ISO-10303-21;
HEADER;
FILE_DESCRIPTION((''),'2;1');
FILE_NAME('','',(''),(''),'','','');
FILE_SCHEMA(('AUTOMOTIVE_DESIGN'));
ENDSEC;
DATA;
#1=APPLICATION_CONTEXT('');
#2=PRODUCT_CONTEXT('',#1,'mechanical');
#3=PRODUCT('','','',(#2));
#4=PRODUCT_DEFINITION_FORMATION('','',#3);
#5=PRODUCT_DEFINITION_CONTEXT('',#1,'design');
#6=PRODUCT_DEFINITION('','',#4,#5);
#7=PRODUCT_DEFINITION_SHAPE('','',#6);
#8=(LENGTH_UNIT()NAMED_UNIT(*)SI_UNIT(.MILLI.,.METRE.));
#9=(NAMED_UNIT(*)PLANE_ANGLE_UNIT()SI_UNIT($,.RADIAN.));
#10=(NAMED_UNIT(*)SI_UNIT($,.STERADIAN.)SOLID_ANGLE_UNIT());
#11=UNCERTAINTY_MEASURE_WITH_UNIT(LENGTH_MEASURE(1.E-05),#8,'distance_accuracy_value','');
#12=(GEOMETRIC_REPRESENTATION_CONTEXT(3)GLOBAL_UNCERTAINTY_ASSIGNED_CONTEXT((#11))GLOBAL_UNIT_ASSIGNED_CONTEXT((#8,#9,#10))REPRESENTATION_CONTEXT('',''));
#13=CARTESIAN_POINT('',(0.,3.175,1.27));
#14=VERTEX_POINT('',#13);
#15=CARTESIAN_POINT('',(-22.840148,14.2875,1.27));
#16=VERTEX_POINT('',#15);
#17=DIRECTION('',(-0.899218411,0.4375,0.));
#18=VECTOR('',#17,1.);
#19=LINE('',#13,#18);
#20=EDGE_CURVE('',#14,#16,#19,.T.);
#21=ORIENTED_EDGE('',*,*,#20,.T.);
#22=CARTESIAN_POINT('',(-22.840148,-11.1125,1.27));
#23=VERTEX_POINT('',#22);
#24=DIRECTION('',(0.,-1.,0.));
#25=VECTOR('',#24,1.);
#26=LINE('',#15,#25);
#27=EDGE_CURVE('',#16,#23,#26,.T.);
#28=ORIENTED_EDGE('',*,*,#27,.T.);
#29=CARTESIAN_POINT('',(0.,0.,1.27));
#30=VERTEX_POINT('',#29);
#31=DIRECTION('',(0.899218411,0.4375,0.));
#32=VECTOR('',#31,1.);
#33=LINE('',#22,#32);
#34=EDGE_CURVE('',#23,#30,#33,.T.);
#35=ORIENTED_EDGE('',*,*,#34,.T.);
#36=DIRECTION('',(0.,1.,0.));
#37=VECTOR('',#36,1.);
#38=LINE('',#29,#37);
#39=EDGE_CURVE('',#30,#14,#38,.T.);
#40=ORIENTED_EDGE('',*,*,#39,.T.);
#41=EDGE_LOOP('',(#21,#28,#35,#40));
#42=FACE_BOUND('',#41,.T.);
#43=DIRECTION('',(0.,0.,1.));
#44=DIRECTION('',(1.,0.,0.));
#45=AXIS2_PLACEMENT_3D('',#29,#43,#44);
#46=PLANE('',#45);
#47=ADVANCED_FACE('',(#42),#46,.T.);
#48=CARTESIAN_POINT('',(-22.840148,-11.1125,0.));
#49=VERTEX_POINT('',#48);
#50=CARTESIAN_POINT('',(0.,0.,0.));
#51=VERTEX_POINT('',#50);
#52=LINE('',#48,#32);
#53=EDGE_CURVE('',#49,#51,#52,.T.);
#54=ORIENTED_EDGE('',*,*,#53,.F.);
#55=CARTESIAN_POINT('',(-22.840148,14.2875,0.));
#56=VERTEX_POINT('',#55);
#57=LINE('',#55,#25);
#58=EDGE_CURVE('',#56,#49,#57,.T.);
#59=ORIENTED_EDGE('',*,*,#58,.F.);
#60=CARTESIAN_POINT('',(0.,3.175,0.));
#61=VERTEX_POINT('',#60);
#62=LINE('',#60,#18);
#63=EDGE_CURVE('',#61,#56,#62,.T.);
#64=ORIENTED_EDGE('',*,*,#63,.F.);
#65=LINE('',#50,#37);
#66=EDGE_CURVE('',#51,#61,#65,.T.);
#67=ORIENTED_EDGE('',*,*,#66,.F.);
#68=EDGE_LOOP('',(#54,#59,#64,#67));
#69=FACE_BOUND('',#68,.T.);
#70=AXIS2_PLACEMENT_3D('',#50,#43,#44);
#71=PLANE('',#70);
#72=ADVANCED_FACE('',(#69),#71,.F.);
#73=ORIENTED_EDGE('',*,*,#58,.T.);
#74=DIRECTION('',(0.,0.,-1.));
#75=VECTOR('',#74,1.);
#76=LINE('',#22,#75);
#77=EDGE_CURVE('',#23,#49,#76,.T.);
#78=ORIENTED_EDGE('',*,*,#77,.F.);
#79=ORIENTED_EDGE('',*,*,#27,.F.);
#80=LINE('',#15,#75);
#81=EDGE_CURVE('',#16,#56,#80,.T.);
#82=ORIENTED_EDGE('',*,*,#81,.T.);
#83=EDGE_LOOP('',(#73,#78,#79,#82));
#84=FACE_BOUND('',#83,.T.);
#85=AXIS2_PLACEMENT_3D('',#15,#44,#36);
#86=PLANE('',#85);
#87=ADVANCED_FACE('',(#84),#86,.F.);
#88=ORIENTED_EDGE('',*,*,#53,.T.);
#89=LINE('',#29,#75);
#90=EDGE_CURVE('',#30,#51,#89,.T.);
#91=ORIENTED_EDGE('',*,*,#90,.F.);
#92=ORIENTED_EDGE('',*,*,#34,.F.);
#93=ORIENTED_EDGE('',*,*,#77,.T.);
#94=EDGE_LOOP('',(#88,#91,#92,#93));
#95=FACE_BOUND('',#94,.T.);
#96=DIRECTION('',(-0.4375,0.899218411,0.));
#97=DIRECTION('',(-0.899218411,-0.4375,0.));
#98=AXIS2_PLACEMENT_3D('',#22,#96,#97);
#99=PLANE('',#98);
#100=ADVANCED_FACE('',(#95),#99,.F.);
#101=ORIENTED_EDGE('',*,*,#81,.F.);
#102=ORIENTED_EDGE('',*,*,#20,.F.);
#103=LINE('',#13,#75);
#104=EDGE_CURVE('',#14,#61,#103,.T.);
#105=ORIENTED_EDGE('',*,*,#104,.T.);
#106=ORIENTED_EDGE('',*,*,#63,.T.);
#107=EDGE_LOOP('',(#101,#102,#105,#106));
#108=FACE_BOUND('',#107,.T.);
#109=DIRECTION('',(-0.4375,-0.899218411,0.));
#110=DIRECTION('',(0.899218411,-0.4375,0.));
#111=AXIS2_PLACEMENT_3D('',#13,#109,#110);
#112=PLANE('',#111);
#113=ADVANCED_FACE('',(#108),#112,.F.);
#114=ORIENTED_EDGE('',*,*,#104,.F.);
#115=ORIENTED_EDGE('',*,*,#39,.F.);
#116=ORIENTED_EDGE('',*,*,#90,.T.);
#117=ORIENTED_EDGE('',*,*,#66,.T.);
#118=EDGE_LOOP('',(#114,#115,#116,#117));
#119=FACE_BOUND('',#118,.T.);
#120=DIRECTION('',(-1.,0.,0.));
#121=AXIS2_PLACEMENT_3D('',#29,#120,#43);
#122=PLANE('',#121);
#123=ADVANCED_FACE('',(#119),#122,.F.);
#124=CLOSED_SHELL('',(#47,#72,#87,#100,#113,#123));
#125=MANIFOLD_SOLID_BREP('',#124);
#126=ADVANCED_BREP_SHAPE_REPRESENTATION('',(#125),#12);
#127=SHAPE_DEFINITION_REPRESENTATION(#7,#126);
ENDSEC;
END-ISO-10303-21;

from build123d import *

# Parameters (mm, degrees)
BOSS_EXTRUDE1_DEPTH = 1.27


with BuildPart() as part:
    # Sketch1 → Boss-Extrude1 (new body)
    with BuildSketch(Plane.XY):
        Polygon((0, 0), (0, 3.175), (-22.84014763, 14.2875), (-22.84014763, -11.1125), align=None)
    extrude(amount=BOSS_EXTRUDE1_DEPTH)


solid = part.part
